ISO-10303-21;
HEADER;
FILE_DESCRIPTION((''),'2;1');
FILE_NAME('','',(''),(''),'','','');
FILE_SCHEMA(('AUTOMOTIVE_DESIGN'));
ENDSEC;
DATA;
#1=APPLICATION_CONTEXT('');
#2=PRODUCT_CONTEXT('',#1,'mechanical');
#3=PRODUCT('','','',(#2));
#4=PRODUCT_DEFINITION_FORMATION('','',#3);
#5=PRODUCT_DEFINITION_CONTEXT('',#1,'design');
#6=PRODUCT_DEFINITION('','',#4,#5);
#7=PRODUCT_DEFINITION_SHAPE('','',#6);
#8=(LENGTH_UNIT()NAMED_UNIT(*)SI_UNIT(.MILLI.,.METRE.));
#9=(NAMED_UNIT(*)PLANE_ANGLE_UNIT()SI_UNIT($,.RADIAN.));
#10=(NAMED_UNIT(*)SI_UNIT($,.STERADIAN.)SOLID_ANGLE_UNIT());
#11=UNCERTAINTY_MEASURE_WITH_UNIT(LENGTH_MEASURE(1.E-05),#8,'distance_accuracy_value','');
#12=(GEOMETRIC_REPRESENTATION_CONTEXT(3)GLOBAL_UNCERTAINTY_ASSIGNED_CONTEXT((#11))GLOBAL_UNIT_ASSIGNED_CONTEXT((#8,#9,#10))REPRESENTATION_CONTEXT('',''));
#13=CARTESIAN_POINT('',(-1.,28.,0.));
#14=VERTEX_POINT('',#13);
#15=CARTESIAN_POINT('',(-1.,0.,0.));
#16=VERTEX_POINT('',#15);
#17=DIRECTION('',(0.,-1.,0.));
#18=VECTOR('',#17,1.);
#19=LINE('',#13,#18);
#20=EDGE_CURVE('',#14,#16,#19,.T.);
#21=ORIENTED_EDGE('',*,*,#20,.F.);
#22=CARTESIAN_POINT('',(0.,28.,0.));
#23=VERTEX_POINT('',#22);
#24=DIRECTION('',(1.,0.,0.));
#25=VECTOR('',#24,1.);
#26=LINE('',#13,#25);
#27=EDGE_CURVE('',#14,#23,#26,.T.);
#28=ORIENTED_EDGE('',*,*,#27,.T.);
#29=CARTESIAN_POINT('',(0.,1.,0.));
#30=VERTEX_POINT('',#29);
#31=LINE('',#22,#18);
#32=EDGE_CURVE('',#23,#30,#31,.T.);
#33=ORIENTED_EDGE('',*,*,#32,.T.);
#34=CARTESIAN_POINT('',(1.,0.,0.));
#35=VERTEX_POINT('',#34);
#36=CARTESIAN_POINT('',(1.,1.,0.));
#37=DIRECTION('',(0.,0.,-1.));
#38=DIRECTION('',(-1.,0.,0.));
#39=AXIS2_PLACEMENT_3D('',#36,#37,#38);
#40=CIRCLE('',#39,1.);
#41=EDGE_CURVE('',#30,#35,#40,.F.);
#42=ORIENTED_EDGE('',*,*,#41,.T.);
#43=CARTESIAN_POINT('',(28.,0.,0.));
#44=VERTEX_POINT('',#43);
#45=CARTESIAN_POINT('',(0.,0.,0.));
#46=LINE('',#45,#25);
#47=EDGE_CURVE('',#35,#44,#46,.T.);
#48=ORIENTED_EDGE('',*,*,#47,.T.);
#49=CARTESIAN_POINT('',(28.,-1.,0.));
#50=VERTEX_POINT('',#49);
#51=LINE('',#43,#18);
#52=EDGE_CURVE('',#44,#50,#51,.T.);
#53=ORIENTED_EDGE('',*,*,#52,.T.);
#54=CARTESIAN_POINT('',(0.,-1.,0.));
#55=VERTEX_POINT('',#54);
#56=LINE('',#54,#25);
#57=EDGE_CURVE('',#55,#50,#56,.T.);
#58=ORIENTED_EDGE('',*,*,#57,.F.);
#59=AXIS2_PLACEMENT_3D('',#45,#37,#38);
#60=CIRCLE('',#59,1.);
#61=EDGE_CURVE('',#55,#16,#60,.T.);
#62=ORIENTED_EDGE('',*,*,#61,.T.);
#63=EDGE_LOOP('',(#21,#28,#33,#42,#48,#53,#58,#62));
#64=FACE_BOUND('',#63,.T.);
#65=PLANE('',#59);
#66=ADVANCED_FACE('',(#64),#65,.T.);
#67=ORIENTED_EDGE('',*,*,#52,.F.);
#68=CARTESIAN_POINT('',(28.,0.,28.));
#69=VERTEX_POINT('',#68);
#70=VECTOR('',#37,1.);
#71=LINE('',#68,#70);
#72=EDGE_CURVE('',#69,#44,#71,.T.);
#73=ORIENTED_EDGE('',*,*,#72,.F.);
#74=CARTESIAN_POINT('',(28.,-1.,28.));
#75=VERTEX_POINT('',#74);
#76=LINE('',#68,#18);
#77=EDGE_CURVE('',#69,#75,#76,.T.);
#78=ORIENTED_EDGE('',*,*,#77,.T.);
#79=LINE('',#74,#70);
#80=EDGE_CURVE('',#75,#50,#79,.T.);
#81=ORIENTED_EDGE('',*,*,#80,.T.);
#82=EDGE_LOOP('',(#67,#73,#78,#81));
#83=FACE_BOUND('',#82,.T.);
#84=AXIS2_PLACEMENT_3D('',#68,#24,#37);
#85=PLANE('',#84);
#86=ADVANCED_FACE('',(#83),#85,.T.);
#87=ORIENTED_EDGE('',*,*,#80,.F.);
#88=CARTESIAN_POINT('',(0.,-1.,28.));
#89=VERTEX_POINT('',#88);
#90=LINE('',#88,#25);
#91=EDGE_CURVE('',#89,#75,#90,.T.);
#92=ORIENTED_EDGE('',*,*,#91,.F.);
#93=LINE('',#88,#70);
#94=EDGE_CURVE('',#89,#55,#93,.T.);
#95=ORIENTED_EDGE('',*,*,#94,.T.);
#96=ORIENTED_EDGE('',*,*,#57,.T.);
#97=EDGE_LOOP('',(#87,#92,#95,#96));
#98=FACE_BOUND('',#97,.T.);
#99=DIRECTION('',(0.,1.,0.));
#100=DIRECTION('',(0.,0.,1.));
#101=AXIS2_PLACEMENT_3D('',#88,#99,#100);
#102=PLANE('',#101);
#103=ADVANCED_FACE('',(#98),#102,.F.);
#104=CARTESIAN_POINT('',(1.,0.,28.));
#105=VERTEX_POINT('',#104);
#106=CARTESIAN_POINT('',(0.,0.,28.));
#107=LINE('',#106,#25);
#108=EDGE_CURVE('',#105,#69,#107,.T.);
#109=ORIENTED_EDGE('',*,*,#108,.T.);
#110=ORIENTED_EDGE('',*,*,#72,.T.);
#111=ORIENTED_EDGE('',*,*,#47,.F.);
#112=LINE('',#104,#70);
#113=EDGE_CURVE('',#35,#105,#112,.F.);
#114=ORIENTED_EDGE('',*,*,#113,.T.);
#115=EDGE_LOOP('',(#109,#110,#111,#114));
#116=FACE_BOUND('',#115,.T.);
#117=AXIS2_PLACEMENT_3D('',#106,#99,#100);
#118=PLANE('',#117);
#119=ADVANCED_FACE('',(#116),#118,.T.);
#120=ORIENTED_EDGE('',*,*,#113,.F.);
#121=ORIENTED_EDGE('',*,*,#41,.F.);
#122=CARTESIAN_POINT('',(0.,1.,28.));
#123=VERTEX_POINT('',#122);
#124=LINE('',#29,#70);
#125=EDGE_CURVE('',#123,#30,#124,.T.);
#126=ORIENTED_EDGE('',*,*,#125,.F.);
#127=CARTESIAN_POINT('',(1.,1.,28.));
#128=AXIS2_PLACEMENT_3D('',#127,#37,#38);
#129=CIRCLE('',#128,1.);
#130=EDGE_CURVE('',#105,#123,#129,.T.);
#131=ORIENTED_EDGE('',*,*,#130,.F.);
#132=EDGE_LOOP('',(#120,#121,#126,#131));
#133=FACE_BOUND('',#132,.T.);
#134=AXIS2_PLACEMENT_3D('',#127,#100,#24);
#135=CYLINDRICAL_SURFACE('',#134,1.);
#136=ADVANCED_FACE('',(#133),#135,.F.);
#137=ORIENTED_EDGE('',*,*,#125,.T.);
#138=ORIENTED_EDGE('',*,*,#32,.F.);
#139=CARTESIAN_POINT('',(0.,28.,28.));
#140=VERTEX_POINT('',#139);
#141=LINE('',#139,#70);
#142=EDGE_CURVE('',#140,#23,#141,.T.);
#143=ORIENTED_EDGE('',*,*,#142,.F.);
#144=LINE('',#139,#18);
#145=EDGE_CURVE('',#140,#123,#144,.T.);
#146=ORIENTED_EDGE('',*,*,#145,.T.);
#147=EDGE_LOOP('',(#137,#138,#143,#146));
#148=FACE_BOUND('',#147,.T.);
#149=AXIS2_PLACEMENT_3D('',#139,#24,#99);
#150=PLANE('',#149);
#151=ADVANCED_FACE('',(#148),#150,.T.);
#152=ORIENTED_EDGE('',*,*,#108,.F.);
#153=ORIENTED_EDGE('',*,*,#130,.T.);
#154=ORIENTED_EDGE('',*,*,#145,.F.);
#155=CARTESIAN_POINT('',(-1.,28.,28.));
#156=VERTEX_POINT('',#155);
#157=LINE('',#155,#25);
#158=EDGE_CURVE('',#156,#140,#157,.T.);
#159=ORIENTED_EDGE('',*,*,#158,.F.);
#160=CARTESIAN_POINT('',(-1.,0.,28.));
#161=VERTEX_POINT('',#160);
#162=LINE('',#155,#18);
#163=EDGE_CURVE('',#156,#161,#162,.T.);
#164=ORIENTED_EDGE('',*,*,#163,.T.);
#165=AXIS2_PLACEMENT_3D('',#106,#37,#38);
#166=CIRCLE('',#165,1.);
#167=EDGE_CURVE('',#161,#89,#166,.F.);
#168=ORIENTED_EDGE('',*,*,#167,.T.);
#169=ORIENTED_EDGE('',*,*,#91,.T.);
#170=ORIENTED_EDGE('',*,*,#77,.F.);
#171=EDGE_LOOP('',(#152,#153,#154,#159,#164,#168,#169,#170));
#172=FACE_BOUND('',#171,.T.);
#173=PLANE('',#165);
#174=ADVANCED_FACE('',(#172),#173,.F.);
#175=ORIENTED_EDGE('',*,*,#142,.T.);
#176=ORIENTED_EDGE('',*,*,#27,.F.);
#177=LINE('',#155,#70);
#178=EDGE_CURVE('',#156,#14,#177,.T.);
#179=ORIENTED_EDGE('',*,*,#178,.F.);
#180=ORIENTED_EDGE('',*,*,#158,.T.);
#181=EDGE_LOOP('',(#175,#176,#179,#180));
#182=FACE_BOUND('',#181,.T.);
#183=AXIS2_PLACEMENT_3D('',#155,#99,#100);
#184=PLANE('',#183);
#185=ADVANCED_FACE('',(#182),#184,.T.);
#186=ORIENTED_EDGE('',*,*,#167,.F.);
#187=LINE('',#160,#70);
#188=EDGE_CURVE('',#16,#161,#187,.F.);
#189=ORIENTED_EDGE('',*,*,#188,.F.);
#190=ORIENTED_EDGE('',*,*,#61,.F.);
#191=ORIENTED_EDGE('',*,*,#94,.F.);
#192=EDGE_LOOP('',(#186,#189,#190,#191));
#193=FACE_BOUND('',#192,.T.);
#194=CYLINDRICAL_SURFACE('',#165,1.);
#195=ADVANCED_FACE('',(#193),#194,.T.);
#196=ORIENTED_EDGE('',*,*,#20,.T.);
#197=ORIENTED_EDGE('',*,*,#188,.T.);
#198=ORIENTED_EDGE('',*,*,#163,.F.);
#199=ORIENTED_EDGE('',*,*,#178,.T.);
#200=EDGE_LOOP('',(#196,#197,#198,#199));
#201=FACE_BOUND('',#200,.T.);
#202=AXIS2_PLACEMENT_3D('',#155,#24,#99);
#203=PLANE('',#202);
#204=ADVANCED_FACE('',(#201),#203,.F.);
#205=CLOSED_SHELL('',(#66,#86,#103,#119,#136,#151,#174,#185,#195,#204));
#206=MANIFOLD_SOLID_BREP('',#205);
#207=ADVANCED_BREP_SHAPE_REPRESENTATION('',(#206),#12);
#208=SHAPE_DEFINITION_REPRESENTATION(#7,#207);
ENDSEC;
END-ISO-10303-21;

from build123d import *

# Parameters (mm, degrees)
EXTRUDE_1_DEPTH = 28
FILLET_1_R      = 1


with BuildPart() as part:
    # 草图1 → 拉伸-薄壁1 (new body)
    with BuildSketch(Plane.XY):
        Polygon((0, 28), (0, 0), (28, 0), (28, -1), (-1, -1), (-1, 28), align=None)
    extrude(amount=EXTRUDE_1_DEPTH)

    # 圆角1
    fillet_1_edges = [part.edges().sort_by_distance(p)[0] for p in [
        (-1, -1, 14),
        (0, 0, 14),
    ]]
    fillet(fillet_1_edges, radius=FILLET_1_R)


solid = part.part
